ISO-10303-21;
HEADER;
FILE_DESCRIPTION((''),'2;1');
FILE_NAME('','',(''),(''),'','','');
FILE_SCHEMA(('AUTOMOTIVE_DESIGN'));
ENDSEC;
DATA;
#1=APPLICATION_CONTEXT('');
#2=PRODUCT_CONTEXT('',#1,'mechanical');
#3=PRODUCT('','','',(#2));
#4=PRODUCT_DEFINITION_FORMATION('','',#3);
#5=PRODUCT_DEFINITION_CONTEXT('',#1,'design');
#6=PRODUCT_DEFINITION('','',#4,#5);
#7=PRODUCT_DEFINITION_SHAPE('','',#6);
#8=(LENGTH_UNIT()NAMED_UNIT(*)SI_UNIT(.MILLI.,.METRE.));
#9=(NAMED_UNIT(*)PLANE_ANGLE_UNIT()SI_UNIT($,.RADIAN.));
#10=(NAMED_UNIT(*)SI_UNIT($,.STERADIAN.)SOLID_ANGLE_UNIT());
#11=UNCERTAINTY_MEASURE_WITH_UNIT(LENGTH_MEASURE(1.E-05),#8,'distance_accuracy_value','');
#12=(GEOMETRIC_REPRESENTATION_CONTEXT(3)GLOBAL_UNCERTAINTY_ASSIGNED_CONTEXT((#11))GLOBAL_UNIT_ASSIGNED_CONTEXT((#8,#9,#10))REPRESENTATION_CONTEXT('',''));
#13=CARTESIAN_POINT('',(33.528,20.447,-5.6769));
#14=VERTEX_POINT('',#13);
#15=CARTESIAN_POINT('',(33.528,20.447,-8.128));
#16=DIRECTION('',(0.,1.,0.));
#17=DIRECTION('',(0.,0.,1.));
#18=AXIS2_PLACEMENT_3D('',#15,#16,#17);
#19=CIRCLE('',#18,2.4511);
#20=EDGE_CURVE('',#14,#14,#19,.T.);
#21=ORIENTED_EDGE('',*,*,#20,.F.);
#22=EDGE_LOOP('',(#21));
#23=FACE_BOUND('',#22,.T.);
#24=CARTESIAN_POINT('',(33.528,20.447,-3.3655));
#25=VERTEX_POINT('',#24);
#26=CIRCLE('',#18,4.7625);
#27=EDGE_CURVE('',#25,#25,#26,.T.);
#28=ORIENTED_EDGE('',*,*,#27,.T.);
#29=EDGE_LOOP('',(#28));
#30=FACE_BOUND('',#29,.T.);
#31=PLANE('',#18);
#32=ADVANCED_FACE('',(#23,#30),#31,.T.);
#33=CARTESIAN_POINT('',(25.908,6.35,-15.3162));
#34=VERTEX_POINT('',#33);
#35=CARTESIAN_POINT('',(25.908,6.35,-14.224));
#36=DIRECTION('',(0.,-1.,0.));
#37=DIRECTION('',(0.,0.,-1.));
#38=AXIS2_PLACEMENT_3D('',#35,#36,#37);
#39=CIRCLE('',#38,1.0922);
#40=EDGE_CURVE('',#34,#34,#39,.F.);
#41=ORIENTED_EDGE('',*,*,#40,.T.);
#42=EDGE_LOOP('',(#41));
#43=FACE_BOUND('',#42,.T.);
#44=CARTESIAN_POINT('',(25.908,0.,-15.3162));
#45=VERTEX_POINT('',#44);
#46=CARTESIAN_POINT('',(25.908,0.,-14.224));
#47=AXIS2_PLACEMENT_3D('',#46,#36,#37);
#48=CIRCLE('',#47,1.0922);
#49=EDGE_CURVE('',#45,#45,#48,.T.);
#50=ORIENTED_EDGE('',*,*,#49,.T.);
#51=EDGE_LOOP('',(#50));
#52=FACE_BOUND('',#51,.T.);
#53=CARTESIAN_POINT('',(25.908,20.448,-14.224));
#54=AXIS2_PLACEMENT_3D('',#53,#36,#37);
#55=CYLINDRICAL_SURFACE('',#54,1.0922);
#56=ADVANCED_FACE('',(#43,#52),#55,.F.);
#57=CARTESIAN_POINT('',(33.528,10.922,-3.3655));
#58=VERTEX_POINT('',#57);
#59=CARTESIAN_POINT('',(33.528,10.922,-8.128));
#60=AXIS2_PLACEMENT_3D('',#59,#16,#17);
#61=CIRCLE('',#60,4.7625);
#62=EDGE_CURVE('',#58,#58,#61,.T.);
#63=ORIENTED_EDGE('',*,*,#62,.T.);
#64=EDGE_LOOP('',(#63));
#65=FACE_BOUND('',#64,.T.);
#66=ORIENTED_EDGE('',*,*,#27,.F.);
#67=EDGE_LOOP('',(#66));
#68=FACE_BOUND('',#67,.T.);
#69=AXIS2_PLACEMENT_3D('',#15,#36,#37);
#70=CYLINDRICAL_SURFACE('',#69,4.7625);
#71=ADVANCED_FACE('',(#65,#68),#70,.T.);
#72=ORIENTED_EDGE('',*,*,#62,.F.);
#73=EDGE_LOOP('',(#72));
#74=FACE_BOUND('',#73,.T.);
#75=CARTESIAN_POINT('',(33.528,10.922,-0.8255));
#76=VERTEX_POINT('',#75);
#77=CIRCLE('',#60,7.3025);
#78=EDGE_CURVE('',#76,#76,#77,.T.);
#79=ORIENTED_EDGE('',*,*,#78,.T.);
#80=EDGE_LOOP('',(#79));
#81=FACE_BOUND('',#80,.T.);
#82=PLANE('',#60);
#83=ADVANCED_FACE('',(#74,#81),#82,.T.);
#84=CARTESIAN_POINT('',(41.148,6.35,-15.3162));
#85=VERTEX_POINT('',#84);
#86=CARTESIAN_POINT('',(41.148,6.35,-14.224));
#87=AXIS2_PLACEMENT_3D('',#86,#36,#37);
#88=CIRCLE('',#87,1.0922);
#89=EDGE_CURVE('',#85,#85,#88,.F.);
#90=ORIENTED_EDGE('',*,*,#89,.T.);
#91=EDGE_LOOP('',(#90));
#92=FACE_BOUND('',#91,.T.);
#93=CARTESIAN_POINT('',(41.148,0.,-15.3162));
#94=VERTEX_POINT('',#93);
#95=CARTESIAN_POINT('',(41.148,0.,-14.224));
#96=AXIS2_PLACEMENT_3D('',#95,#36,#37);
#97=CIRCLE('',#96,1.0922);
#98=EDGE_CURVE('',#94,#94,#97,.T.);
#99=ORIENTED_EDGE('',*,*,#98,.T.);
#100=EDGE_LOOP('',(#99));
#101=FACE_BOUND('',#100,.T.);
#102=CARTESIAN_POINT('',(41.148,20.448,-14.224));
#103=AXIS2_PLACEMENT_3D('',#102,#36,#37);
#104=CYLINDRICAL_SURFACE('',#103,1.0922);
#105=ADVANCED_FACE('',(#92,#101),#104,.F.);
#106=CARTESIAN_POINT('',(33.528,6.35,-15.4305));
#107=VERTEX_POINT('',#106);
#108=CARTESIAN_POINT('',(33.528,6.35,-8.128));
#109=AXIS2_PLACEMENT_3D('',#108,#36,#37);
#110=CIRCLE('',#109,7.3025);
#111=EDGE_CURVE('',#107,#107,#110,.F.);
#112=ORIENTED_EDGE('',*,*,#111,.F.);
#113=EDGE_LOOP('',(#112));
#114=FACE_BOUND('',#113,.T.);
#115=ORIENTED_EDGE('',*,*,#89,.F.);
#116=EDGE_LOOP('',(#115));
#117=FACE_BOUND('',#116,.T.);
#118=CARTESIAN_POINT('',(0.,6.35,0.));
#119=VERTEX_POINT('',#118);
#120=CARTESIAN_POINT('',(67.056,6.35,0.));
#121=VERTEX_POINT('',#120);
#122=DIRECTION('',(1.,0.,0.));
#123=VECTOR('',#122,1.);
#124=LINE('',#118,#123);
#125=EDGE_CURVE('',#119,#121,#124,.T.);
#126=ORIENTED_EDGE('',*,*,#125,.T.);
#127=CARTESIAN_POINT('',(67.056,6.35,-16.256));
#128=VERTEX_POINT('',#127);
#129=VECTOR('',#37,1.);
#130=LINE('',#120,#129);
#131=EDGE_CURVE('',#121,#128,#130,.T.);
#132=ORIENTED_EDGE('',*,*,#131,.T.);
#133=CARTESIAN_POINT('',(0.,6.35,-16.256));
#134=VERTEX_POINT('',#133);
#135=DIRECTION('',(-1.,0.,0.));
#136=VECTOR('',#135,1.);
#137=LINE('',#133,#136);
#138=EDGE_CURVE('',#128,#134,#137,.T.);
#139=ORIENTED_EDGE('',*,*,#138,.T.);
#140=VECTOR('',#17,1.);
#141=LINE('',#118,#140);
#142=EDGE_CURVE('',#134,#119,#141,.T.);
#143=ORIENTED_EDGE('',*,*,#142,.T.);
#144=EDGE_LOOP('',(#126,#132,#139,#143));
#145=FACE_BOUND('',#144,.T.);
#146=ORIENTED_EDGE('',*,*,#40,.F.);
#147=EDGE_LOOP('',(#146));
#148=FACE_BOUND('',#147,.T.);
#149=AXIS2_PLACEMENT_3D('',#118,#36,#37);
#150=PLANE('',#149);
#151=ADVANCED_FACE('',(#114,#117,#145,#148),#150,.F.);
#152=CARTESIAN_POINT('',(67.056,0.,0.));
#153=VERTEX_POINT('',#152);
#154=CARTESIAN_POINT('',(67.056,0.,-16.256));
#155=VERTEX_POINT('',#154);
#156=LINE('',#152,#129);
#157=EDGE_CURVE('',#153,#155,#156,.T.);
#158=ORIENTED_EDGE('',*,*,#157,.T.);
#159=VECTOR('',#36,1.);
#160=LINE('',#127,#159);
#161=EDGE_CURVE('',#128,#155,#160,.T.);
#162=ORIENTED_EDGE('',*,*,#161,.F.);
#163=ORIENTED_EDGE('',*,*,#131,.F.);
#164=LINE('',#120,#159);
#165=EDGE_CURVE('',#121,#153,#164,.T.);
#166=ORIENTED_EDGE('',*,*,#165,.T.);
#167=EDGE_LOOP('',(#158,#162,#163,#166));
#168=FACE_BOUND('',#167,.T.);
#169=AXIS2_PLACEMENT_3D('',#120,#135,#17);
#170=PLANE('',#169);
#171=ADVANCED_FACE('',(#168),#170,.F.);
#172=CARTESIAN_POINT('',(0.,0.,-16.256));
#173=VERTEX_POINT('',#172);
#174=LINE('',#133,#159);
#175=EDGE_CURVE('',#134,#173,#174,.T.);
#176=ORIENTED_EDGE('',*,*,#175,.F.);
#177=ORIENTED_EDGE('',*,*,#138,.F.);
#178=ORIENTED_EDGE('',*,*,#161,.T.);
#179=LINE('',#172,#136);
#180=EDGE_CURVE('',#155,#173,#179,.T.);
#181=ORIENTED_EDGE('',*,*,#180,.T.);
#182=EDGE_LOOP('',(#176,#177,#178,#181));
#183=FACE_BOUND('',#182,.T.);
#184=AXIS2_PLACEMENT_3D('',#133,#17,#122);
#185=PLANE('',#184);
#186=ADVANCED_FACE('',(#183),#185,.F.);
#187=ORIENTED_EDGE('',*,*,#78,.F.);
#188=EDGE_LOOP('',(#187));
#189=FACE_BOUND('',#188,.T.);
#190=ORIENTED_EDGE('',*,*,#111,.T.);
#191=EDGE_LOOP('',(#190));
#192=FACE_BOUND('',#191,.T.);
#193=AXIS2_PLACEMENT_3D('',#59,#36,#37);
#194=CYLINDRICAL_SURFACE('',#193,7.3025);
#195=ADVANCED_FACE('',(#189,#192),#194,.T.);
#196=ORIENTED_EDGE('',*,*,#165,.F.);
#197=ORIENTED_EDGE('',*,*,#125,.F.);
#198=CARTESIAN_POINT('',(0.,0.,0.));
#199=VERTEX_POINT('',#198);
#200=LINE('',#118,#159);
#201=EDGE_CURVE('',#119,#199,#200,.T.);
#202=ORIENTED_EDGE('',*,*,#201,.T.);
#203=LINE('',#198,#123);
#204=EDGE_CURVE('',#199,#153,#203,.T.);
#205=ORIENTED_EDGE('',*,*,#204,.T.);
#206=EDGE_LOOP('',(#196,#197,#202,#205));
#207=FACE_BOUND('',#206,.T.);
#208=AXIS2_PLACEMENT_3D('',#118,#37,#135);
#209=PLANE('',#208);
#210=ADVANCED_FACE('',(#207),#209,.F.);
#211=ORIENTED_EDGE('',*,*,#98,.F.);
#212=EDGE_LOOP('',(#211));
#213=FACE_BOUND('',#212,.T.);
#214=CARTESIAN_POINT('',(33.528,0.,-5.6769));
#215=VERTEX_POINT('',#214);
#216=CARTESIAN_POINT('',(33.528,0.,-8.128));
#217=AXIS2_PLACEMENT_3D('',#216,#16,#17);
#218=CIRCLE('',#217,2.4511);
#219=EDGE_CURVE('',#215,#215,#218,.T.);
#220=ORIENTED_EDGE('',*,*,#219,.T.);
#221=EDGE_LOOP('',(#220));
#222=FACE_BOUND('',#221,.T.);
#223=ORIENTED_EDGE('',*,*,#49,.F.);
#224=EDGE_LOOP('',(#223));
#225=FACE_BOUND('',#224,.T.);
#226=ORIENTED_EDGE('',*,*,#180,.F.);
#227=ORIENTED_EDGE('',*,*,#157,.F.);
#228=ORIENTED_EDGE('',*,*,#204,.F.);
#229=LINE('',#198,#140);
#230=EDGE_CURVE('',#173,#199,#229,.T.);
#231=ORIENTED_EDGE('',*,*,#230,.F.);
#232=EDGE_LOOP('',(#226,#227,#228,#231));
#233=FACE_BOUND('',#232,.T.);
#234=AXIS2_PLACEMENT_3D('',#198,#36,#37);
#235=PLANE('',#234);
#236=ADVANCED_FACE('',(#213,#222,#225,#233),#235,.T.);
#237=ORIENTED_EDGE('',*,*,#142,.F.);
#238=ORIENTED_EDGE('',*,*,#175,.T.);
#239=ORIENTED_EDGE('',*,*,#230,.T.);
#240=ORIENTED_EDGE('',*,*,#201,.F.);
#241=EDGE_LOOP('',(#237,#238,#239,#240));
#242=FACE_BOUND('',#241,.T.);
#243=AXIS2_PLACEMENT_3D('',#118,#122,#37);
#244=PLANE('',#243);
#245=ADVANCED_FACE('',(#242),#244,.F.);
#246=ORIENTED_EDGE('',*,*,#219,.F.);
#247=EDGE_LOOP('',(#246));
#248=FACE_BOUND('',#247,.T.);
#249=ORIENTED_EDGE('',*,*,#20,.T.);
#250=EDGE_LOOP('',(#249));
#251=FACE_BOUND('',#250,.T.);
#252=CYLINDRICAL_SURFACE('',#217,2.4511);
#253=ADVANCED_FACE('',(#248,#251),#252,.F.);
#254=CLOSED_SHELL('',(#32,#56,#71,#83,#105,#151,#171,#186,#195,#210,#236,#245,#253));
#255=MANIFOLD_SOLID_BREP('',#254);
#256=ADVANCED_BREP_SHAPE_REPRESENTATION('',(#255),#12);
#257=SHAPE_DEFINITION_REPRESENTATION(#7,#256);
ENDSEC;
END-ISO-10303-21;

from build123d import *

# Parameters (mm, degrees)
SKETCH1_W           = 67.056
SKETCH1_H           = 16.256
BOSS_EXTRUDE1_DEPTH = 6.35
SKETCH2_R           = 4.7625
BOSS_EXTRUDE2_DEPTH = 14.097
SKETCH3_R           = 2.4511
CUT_EXTRUDE1_DEPTH  = 72.964188879
CUT_EXTRUDE2_REACH  = 73.964
SKETCH4_R           = 1.0922
SKETCH6_R           = 7.3025
SKETCH6_R_2         = 4.7625
BOSS_EXTRUDE3_DEPTH = 4.572


with BuildPart() as part:
    # Sketch1 → Boss-Extrude1 (new body)
    with BuildSketch(Plane(origin=(0, 0, 0), x_dir=(1, 0, 0), z_dir=(0, 1, 0))):
        with Locations((33.528, 8.128)):
            Rectangle(SKETCH1_W, SKETCH1_H)
    extrude(amount=BOSS_EXTRUDE1_DEPTH)

    # Sketch2 → Boss-Extrude2 (add)
    with BuildSketch(Plane(origin=(0, 6.35, 0), x_dir=(1, 0, 0), z_dir=(0, 1, 0))):
        with Locations(Location((33.528, 8.128, 0), (0, 0, 90))):
            Circle(SKETCH2_R)
    extrude(amount=BOSS_EXTRUDE2_DEPTH)

    # Sketch3 → Cut-Extrude1 (cut, through all)
    with BuildSketch(Plane(origin=(0, 20.447, 0), x_dir=(1, 0, 0), z_dir=(0, 1, 0))):
        with Locations(Location((33.528, 8.128, 0), (0, 0, 270))):
            Circle(SKETCH3_R)
    extrude(amount=-CUT_EXTRUDE1_DEPTH, mode=Mode.SUBTRACT)

    # Sketch4 → Cut-Extrude2 (cut, up to next)
    with BuildSketch(Plane(origin=(0, 0, 0), x_dir=(-1, 0, 0), z_dir=(0, -1, 0)), mode=Mode.PRIVATE) as cut_extrude2_sk1:
        with Locations(Location((-25.908, 14.224, 0), (0, 0, 90))):
            Circle(SKETCH4_R)
    cut_extrude2_tool1 = extrude(cut_extrude2_sk1.sketch, amount=-CUT_EXTRUDE2_REACH, mode=Mode.PRIVATE) & part.part
    # Sketch4 → Cut-Extrude2 (cut, up to next)
    with BuildSketch(Plane(origin=(0, 0, 0), x_dir=(-1, 0, 0), z_dir=(0, -1, 0)), mode=Mode.PRIVATE) as cut_extrude2_sk2:
        with Locations(Location((-41.148, 14.224, 0), (0, 0, 90))):
            Circle(SKETCH4_R)
    cut_extrude2_tool2 = extrude(cut_extrude2_sk2.sketch, amount=-CUT_EXTRUDE2_REACH, mode=Mode.PRIVATE) & part.part
    add(cut_extrude2_tool1.solids().sort_by_distance((25.908, 0, -14.224))[0], mode=Mode.SUBTRACT)
    add(cut_extrude2_tool2.solids().sort_by_distance((41.148, 0, -14.224))[0], mode=Mode.SUBTRACT)

    # Sketch6 → Boss-Extrude3 (add)
    with BuildSketch(Plane(origin=(0, 6.35, 0), x_dir=(1, 0, 0), z_dir=(0, 1, 0))):
        with Locations(Location((33.528, 8.128, 0), (0, 0, 90))):
            Circle(SKETCH6_R)
        with Locations(Location((33.528, 8.128, 0), (0, 0, 270))):
            Circle(SKETCH6_R_2, mode=Mode.SUBTRACT)
    extrude(amount=BOSS_EXTRUDE3_DEPTH)


solid = part.part
